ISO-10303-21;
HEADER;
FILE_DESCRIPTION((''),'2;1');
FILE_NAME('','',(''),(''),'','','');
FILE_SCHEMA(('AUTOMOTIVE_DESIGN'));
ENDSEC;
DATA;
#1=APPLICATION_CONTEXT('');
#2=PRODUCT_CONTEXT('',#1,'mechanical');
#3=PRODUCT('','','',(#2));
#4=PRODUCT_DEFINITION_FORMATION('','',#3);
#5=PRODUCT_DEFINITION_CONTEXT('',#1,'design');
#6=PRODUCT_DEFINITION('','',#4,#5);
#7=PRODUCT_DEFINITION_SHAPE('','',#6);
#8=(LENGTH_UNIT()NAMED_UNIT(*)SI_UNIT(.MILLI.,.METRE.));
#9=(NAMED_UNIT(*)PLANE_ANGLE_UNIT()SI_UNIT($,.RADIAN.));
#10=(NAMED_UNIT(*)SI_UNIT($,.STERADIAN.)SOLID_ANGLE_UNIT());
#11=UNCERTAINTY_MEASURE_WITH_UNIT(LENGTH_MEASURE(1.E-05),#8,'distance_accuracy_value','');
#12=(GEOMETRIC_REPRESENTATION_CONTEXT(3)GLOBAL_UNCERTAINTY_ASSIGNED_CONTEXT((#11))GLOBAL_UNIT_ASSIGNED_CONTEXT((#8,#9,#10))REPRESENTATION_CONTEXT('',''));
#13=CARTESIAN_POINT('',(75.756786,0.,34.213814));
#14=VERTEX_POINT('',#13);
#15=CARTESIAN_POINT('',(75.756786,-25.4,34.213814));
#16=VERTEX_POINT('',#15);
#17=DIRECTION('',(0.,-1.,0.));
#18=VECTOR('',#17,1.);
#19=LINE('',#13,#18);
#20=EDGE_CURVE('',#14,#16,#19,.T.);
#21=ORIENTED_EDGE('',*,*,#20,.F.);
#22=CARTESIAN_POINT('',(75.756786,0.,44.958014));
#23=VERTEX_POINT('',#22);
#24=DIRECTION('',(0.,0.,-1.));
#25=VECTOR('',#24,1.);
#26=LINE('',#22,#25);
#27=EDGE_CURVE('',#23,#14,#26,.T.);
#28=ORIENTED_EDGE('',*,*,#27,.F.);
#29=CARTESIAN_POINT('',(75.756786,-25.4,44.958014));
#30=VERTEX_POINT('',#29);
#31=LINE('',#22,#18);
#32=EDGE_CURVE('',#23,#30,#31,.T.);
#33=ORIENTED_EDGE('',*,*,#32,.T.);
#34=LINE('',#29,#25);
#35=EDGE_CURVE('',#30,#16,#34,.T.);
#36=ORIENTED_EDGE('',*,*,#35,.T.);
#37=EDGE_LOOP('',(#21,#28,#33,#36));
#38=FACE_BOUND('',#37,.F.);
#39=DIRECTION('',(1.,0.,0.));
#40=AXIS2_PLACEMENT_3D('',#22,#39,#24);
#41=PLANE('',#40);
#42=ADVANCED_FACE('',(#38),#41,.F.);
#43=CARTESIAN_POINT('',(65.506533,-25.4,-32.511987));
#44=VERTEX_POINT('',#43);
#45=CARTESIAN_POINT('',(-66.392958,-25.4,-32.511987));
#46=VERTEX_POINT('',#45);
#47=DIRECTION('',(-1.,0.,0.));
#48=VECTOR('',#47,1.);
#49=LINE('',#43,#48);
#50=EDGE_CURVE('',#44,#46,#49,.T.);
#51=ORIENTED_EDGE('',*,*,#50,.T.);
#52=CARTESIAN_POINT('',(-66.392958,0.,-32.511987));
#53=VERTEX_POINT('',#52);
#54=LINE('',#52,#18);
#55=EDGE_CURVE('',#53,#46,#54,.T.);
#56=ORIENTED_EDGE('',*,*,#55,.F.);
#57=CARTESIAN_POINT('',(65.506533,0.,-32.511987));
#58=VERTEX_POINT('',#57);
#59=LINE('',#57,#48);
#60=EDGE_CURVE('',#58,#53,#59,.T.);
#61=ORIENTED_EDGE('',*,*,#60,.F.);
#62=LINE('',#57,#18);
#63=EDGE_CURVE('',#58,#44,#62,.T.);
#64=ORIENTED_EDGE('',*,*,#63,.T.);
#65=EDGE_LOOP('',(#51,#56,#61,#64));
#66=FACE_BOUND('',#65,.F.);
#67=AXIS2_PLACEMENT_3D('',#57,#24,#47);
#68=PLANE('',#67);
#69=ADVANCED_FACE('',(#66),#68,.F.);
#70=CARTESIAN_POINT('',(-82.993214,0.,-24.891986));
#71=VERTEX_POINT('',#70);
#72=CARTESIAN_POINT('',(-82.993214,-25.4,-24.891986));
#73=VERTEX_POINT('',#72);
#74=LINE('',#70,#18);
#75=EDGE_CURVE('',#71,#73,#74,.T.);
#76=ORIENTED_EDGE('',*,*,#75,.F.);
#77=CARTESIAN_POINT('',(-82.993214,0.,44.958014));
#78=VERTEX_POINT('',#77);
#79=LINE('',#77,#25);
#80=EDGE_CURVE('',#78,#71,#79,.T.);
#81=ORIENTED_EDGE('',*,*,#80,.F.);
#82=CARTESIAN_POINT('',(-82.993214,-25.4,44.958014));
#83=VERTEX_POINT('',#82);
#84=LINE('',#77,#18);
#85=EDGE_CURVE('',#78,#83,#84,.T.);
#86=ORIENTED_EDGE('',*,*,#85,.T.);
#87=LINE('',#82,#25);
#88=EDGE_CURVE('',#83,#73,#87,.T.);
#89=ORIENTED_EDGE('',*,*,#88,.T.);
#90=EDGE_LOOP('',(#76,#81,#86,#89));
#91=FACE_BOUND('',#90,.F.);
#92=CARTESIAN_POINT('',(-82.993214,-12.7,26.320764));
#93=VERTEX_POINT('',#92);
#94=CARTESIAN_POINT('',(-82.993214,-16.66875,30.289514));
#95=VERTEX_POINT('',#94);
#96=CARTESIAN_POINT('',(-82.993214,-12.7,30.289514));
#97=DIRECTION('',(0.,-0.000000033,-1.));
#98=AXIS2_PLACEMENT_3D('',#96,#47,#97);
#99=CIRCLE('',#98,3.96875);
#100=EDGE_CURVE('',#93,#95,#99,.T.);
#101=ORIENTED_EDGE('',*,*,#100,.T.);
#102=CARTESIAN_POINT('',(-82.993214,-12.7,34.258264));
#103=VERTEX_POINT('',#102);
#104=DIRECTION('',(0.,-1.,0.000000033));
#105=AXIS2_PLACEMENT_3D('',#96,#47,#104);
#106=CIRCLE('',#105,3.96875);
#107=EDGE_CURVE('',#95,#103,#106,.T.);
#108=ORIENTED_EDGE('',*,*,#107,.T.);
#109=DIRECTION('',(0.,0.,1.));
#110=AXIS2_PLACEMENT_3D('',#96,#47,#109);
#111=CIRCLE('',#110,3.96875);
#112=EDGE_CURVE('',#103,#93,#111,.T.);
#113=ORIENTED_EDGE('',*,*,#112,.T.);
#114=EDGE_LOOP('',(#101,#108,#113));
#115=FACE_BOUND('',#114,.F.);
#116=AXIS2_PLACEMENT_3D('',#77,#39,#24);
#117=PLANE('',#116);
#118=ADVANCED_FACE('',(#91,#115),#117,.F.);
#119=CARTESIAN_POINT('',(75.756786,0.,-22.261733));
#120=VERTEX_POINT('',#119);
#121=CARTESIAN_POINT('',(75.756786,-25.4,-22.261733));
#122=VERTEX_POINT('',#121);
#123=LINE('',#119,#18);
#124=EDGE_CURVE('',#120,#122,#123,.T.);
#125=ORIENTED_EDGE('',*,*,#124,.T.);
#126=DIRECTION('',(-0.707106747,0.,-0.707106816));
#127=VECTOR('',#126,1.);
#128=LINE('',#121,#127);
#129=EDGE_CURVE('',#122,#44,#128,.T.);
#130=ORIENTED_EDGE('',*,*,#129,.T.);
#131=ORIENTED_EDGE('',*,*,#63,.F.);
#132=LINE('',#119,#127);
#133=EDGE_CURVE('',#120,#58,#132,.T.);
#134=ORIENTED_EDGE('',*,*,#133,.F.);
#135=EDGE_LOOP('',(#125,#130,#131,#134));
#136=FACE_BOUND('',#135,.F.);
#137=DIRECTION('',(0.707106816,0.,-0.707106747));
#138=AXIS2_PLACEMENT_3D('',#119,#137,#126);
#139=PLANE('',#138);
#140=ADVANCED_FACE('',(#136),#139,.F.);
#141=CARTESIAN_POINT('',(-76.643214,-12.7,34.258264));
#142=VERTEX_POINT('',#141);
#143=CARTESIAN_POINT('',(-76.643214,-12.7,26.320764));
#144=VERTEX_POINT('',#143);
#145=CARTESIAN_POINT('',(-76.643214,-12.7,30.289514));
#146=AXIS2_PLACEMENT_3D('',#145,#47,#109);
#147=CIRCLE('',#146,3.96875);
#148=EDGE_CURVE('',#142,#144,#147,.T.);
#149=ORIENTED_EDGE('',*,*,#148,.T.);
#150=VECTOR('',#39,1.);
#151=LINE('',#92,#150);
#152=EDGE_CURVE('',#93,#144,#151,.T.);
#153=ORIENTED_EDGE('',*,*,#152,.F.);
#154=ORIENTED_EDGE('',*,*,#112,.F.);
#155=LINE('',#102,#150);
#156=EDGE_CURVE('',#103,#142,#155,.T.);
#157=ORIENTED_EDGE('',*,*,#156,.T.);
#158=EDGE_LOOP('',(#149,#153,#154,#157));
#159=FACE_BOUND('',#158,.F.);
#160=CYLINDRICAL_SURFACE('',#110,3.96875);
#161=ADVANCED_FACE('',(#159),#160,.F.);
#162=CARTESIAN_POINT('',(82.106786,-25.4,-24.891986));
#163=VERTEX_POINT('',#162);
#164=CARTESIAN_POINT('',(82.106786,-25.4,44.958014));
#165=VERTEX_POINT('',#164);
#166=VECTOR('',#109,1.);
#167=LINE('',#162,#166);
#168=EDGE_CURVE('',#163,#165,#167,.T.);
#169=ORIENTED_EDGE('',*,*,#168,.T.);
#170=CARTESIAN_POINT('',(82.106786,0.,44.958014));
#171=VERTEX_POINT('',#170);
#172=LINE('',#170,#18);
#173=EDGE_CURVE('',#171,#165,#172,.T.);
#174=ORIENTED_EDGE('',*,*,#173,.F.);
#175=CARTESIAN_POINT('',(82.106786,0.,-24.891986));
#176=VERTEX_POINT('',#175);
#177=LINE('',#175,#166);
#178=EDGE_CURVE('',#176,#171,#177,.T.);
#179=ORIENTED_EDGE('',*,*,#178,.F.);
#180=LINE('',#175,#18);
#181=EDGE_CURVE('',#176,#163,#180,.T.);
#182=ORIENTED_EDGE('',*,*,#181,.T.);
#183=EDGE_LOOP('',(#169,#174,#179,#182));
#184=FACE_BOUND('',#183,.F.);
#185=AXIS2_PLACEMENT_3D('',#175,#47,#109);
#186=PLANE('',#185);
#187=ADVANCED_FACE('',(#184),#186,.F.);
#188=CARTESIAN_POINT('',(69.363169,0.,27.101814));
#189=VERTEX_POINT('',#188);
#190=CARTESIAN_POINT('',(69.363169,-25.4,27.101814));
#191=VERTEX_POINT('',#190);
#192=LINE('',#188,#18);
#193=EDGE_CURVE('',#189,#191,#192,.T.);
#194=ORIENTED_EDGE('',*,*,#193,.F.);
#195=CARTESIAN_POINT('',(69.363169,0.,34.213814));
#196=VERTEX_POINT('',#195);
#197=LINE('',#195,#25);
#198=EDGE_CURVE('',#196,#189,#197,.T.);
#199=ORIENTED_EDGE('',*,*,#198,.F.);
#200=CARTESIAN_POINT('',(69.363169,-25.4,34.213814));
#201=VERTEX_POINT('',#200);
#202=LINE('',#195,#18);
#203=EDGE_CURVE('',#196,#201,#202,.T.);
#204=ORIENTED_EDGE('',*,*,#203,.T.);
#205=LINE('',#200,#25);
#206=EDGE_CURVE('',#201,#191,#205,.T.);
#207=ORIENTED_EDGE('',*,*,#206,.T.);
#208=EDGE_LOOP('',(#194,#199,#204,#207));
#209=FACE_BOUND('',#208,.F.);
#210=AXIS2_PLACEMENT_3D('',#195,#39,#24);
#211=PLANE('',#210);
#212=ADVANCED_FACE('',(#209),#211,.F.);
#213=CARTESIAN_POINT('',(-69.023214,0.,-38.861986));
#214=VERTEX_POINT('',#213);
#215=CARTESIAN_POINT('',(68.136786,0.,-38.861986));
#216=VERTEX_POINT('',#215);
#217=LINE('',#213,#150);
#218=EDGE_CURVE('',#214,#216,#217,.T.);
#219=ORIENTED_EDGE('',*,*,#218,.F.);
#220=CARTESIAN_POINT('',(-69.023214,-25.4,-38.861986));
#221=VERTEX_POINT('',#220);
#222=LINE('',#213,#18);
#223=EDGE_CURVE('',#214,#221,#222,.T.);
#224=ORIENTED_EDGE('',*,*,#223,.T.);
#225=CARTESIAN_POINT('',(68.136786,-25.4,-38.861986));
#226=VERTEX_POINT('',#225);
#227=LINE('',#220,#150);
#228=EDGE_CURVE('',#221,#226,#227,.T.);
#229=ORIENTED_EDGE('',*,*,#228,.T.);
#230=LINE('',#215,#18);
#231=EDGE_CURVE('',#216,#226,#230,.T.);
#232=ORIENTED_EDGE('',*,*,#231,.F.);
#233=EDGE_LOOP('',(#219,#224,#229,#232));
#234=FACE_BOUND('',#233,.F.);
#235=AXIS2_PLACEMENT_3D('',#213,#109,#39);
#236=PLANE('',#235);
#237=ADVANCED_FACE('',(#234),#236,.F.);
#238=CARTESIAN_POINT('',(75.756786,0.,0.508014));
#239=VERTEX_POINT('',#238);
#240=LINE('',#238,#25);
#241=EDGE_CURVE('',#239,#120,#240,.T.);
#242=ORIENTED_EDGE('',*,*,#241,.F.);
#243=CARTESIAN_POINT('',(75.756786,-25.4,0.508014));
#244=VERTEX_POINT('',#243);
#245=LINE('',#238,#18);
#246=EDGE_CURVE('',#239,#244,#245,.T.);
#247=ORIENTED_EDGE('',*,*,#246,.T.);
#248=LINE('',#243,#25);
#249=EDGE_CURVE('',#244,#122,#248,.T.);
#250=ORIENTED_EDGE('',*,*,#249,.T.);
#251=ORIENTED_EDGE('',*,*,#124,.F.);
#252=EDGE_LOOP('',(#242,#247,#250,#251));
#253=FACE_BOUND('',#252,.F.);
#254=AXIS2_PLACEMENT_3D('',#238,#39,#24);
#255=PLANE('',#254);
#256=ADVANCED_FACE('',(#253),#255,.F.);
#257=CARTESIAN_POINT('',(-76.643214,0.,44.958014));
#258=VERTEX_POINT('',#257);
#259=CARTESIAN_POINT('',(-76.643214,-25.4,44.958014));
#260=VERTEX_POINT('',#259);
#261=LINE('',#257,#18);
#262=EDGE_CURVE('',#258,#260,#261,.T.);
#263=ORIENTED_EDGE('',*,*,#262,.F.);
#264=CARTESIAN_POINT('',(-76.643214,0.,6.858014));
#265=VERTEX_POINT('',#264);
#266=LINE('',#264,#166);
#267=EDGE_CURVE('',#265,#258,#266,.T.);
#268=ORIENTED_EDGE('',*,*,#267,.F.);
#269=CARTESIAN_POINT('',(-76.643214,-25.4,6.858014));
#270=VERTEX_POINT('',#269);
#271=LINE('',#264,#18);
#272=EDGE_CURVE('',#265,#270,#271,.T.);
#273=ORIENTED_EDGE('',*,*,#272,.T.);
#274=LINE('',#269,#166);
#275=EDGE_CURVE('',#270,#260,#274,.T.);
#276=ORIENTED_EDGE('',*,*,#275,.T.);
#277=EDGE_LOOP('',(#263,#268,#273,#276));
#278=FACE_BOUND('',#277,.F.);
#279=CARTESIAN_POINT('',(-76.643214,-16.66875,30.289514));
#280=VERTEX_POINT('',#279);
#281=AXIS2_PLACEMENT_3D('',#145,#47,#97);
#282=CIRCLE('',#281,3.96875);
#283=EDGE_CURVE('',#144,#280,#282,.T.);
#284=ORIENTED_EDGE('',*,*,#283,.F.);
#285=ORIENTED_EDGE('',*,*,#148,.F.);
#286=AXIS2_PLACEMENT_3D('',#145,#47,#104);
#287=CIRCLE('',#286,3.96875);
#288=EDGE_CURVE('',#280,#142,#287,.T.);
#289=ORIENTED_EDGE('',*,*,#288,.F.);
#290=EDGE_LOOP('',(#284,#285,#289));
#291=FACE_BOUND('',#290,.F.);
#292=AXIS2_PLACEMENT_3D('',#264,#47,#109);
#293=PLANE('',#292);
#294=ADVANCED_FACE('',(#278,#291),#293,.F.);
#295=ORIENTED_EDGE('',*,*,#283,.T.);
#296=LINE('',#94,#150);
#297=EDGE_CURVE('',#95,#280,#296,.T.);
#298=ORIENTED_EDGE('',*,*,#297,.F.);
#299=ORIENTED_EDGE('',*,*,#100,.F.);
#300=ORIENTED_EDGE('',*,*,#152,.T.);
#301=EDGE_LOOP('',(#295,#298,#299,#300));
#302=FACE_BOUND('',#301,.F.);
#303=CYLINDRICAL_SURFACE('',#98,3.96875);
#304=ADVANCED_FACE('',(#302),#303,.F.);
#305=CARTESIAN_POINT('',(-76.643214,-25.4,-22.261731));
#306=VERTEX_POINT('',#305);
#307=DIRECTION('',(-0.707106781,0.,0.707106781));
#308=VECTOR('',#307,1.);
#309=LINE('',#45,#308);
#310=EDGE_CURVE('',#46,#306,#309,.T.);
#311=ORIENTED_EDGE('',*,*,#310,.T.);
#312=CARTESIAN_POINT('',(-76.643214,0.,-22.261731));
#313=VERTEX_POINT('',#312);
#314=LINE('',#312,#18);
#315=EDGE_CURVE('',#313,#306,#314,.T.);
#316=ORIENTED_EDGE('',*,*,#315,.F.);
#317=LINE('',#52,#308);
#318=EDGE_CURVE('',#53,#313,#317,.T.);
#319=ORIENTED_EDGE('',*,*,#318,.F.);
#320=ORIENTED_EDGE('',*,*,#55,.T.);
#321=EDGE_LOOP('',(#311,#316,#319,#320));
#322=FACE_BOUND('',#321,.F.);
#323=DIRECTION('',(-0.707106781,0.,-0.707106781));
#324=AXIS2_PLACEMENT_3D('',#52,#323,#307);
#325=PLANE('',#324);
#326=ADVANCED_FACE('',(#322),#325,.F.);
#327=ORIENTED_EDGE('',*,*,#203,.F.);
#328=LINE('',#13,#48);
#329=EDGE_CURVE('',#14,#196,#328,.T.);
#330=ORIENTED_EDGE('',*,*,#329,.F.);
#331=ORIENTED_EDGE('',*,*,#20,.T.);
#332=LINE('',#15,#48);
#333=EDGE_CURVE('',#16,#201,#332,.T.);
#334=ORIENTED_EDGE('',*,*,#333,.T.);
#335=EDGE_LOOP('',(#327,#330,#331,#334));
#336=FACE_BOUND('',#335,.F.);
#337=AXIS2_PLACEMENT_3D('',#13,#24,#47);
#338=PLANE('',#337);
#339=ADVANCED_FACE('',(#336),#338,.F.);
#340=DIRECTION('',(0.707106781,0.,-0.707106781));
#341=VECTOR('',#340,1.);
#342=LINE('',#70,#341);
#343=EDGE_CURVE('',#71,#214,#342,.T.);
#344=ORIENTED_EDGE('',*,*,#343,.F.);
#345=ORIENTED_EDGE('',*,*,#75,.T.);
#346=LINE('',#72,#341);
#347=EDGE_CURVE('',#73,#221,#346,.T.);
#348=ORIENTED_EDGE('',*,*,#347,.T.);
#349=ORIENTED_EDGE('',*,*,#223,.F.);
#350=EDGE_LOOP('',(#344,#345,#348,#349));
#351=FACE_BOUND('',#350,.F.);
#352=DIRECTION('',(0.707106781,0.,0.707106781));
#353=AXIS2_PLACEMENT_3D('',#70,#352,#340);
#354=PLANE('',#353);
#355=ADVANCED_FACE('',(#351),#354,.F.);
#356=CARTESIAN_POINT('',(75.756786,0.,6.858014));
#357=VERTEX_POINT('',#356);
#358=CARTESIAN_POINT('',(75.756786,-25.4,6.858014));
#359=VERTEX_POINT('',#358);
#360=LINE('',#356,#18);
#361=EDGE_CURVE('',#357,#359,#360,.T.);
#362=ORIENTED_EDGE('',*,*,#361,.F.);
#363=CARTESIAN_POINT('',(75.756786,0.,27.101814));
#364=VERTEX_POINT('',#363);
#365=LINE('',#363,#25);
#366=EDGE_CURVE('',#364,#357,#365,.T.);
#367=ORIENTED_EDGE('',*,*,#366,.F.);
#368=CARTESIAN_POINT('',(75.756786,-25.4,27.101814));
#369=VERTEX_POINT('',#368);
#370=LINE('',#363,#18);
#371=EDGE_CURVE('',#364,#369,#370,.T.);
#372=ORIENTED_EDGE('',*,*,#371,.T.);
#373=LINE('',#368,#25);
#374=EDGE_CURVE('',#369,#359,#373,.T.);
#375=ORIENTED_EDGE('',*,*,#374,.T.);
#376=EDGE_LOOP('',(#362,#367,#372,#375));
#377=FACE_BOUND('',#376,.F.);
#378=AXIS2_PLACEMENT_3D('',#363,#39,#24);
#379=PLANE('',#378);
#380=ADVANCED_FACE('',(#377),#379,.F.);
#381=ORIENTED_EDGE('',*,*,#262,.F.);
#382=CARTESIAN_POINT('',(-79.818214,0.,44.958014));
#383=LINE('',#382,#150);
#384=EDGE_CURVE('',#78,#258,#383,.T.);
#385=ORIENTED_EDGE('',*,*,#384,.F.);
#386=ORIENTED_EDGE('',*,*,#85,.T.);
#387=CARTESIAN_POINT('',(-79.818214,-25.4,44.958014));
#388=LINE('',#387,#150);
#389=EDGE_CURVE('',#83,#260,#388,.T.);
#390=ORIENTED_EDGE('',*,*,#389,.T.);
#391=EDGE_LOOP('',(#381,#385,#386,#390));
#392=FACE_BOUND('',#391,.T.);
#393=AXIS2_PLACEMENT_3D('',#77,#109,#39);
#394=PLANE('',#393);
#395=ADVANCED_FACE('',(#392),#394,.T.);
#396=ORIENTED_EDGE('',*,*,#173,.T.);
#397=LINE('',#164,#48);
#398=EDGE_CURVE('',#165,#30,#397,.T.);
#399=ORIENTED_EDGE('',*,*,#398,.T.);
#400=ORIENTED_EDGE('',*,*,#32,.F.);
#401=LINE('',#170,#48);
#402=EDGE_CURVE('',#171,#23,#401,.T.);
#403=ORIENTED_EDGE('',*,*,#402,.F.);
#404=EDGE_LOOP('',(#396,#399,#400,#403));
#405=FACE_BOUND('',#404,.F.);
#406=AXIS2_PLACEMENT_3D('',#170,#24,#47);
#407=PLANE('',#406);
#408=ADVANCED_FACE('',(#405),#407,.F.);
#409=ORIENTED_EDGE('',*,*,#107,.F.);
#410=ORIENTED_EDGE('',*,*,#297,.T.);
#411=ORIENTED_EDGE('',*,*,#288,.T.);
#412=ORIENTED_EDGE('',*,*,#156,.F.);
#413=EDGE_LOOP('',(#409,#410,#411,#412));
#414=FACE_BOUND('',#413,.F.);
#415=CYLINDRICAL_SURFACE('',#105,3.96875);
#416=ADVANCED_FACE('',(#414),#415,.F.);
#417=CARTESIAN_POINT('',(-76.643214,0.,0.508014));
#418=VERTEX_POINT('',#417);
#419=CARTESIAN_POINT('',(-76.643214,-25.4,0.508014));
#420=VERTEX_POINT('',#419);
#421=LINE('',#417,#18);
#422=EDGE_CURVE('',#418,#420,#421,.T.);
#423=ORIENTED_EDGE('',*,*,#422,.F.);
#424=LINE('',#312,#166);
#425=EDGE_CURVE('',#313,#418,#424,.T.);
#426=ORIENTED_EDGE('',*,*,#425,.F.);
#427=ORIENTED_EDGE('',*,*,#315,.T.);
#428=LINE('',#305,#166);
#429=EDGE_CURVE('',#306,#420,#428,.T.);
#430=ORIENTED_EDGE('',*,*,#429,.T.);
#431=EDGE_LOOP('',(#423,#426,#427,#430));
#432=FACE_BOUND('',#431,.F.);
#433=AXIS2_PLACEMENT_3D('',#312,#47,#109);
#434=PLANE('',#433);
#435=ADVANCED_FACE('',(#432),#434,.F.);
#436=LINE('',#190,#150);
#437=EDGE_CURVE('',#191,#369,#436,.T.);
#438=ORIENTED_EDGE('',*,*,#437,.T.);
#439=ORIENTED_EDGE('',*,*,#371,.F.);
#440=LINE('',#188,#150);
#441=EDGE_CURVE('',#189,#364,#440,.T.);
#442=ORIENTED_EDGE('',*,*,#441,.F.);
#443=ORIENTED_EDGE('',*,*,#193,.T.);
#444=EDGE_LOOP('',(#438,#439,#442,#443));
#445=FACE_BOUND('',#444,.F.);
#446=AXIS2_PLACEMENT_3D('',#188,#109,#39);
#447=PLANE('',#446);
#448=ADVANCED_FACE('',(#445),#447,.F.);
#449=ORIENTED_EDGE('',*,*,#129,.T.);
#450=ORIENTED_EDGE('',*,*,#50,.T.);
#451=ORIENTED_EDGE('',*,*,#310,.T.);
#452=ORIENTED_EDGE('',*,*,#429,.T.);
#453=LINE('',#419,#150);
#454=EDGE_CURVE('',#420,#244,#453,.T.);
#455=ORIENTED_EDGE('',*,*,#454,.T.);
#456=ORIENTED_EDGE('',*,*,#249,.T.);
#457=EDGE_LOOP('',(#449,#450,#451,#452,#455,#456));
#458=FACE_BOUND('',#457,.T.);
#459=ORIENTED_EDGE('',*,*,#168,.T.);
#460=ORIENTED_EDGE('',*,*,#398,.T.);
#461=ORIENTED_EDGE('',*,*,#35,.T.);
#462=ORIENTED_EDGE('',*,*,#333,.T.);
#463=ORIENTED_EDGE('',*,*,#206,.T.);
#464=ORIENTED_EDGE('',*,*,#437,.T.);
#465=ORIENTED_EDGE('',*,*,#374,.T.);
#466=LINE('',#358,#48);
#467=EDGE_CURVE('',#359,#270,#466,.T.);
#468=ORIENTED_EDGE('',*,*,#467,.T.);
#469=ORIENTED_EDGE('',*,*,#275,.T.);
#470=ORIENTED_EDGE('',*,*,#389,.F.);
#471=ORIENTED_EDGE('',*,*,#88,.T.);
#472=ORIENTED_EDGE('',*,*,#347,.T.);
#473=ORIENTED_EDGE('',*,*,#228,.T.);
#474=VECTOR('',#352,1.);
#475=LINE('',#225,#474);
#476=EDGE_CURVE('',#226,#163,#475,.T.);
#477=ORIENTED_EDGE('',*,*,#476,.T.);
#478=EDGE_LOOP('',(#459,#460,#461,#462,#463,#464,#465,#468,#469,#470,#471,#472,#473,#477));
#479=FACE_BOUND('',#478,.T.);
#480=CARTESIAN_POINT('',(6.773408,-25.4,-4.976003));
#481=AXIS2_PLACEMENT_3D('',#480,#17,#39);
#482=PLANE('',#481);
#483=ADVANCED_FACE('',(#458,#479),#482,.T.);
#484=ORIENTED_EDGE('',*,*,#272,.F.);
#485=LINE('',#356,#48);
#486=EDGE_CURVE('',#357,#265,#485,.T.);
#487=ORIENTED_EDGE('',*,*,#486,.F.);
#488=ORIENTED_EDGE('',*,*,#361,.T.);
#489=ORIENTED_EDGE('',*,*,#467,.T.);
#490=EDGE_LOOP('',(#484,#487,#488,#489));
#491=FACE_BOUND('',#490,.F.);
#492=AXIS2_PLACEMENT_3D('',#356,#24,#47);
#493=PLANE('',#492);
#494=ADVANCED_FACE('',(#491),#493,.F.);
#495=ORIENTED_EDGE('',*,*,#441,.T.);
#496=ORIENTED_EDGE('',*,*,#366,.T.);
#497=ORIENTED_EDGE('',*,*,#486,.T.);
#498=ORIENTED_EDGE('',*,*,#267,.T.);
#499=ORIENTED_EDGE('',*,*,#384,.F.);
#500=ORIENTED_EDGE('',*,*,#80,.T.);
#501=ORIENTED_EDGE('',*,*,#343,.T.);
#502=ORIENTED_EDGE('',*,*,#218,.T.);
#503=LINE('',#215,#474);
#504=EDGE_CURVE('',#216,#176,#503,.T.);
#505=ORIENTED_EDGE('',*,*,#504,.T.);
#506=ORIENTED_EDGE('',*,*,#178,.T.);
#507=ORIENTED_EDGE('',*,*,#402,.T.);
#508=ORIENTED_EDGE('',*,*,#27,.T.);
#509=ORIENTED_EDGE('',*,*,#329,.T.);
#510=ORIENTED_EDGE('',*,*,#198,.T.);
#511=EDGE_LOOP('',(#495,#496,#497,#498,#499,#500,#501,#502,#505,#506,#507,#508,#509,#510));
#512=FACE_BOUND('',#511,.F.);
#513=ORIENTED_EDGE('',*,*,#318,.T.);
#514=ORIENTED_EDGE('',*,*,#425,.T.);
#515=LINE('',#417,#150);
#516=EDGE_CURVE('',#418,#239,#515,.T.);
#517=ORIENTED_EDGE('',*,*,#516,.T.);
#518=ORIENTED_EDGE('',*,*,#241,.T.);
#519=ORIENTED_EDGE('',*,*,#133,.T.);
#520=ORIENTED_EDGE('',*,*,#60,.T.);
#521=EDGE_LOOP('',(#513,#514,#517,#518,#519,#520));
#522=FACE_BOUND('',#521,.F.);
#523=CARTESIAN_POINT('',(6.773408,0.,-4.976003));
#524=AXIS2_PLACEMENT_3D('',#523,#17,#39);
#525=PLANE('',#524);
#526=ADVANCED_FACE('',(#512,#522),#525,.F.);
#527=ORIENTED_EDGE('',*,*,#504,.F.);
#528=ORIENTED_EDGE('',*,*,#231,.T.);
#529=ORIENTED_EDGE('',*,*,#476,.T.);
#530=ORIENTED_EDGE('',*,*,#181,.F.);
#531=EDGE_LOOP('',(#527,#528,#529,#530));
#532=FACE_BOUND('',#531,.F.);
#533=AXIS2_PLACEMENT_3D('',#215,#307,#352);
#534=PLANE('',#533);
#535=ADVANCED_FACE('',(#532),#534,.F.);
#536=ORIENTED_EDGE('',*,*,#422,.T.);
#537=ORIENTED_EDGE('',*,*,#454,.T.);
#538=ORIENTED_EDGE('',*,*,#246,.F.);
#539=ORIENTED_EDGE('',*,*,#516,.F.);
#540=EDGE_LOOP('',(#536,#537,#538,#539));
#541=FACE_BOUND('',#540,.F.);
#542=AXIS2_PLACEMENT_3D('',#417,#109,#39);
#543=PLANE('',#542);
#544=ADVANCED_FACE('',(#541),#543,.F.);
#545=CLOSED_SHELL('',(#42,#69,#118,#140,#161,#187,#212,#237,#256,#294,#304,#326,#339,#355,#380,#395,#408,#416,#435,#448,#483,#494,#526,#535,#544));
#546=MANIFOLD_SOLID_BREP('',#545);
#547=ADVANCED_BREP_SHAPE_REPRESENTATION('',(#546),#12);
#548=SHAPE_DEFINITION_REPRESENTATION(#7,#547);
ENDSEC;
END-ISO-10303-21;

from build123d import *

# Parameters (mm, degrees)
F0_W     = 6.35
F0_H     = 10.6934
F0_H_2   = 3.9751
F1_DEPTH = 25.4
F3_DEPTH = 25.4


with BuildPart() as f1:
    # F0 (on Front) → F1 (new body)
    with BuildSketch(Plane.XZ):
        Polygon((-82.993214, -24.891986), (-69.023214, -38.861986), (68.136786, -38.861986), (82.106786, -24.891986), (82.106786, 44.958014), (75.756786, 44.958014), (75.756786, 34.213814), (69.363169, 34.213814), (69.363169, 27.101814), (75.756786, 27.101814), (75.756786, 6.858014), (-76.643214, 6.858014), (-76.643214, 26.314414), (-82.993214, 26.314414), align=None)
        Polygon((-66.392958, -32.511987), (-76.643214, -22.261731), (-76.643214, 0.508014), (75.756786, 0.508014), (75.756786, -22.261733), (65.506533, -32.511987), align=None, mode=Mode.SUBTRACT)
        with Locations((-79.818214, 39.611314)):
            Rectangle(F0_W, F0_H)
        with Locations((-79.818214, 32.277064)):
            Rectangle(F0_W, F0_H_2)
        with Locations((-79.818214, 28.301964)):
            Rectangle(F0_W, F0_H_2)
    extrude(amount=F1_DEPTH)

    # F2 (on face) → F3 (cut)
    with BuildSketch(Plane(origin=(-82.993214, 0, 0), x_dir=(0, -1, 0), z_dir=(-1, 0, 0))):
        with BuildLine():
            Line((12.7, 26.320764), (12.7, 34.258264))
            ThreePointArc((12.7, 34.258264), (8.73125, 30.289514), (12.7, 26.320764))
        make_face()
        with BuildLine():
            ThreePointArc((16.66875, 30.289514), (15.50633, 33.095844), (12.7, 34.258264))
            Line((12.7, 34.258264), (12.7, 26.320764))
            ThreePointArc((12.7, 26.320764), (15.50633, 27.483184), (16.66875, 30.289514))
        make_face()
    extrude(amount=-F3_DEPTH, mode=Mode.SUBTRACT)


solid = f1.part
